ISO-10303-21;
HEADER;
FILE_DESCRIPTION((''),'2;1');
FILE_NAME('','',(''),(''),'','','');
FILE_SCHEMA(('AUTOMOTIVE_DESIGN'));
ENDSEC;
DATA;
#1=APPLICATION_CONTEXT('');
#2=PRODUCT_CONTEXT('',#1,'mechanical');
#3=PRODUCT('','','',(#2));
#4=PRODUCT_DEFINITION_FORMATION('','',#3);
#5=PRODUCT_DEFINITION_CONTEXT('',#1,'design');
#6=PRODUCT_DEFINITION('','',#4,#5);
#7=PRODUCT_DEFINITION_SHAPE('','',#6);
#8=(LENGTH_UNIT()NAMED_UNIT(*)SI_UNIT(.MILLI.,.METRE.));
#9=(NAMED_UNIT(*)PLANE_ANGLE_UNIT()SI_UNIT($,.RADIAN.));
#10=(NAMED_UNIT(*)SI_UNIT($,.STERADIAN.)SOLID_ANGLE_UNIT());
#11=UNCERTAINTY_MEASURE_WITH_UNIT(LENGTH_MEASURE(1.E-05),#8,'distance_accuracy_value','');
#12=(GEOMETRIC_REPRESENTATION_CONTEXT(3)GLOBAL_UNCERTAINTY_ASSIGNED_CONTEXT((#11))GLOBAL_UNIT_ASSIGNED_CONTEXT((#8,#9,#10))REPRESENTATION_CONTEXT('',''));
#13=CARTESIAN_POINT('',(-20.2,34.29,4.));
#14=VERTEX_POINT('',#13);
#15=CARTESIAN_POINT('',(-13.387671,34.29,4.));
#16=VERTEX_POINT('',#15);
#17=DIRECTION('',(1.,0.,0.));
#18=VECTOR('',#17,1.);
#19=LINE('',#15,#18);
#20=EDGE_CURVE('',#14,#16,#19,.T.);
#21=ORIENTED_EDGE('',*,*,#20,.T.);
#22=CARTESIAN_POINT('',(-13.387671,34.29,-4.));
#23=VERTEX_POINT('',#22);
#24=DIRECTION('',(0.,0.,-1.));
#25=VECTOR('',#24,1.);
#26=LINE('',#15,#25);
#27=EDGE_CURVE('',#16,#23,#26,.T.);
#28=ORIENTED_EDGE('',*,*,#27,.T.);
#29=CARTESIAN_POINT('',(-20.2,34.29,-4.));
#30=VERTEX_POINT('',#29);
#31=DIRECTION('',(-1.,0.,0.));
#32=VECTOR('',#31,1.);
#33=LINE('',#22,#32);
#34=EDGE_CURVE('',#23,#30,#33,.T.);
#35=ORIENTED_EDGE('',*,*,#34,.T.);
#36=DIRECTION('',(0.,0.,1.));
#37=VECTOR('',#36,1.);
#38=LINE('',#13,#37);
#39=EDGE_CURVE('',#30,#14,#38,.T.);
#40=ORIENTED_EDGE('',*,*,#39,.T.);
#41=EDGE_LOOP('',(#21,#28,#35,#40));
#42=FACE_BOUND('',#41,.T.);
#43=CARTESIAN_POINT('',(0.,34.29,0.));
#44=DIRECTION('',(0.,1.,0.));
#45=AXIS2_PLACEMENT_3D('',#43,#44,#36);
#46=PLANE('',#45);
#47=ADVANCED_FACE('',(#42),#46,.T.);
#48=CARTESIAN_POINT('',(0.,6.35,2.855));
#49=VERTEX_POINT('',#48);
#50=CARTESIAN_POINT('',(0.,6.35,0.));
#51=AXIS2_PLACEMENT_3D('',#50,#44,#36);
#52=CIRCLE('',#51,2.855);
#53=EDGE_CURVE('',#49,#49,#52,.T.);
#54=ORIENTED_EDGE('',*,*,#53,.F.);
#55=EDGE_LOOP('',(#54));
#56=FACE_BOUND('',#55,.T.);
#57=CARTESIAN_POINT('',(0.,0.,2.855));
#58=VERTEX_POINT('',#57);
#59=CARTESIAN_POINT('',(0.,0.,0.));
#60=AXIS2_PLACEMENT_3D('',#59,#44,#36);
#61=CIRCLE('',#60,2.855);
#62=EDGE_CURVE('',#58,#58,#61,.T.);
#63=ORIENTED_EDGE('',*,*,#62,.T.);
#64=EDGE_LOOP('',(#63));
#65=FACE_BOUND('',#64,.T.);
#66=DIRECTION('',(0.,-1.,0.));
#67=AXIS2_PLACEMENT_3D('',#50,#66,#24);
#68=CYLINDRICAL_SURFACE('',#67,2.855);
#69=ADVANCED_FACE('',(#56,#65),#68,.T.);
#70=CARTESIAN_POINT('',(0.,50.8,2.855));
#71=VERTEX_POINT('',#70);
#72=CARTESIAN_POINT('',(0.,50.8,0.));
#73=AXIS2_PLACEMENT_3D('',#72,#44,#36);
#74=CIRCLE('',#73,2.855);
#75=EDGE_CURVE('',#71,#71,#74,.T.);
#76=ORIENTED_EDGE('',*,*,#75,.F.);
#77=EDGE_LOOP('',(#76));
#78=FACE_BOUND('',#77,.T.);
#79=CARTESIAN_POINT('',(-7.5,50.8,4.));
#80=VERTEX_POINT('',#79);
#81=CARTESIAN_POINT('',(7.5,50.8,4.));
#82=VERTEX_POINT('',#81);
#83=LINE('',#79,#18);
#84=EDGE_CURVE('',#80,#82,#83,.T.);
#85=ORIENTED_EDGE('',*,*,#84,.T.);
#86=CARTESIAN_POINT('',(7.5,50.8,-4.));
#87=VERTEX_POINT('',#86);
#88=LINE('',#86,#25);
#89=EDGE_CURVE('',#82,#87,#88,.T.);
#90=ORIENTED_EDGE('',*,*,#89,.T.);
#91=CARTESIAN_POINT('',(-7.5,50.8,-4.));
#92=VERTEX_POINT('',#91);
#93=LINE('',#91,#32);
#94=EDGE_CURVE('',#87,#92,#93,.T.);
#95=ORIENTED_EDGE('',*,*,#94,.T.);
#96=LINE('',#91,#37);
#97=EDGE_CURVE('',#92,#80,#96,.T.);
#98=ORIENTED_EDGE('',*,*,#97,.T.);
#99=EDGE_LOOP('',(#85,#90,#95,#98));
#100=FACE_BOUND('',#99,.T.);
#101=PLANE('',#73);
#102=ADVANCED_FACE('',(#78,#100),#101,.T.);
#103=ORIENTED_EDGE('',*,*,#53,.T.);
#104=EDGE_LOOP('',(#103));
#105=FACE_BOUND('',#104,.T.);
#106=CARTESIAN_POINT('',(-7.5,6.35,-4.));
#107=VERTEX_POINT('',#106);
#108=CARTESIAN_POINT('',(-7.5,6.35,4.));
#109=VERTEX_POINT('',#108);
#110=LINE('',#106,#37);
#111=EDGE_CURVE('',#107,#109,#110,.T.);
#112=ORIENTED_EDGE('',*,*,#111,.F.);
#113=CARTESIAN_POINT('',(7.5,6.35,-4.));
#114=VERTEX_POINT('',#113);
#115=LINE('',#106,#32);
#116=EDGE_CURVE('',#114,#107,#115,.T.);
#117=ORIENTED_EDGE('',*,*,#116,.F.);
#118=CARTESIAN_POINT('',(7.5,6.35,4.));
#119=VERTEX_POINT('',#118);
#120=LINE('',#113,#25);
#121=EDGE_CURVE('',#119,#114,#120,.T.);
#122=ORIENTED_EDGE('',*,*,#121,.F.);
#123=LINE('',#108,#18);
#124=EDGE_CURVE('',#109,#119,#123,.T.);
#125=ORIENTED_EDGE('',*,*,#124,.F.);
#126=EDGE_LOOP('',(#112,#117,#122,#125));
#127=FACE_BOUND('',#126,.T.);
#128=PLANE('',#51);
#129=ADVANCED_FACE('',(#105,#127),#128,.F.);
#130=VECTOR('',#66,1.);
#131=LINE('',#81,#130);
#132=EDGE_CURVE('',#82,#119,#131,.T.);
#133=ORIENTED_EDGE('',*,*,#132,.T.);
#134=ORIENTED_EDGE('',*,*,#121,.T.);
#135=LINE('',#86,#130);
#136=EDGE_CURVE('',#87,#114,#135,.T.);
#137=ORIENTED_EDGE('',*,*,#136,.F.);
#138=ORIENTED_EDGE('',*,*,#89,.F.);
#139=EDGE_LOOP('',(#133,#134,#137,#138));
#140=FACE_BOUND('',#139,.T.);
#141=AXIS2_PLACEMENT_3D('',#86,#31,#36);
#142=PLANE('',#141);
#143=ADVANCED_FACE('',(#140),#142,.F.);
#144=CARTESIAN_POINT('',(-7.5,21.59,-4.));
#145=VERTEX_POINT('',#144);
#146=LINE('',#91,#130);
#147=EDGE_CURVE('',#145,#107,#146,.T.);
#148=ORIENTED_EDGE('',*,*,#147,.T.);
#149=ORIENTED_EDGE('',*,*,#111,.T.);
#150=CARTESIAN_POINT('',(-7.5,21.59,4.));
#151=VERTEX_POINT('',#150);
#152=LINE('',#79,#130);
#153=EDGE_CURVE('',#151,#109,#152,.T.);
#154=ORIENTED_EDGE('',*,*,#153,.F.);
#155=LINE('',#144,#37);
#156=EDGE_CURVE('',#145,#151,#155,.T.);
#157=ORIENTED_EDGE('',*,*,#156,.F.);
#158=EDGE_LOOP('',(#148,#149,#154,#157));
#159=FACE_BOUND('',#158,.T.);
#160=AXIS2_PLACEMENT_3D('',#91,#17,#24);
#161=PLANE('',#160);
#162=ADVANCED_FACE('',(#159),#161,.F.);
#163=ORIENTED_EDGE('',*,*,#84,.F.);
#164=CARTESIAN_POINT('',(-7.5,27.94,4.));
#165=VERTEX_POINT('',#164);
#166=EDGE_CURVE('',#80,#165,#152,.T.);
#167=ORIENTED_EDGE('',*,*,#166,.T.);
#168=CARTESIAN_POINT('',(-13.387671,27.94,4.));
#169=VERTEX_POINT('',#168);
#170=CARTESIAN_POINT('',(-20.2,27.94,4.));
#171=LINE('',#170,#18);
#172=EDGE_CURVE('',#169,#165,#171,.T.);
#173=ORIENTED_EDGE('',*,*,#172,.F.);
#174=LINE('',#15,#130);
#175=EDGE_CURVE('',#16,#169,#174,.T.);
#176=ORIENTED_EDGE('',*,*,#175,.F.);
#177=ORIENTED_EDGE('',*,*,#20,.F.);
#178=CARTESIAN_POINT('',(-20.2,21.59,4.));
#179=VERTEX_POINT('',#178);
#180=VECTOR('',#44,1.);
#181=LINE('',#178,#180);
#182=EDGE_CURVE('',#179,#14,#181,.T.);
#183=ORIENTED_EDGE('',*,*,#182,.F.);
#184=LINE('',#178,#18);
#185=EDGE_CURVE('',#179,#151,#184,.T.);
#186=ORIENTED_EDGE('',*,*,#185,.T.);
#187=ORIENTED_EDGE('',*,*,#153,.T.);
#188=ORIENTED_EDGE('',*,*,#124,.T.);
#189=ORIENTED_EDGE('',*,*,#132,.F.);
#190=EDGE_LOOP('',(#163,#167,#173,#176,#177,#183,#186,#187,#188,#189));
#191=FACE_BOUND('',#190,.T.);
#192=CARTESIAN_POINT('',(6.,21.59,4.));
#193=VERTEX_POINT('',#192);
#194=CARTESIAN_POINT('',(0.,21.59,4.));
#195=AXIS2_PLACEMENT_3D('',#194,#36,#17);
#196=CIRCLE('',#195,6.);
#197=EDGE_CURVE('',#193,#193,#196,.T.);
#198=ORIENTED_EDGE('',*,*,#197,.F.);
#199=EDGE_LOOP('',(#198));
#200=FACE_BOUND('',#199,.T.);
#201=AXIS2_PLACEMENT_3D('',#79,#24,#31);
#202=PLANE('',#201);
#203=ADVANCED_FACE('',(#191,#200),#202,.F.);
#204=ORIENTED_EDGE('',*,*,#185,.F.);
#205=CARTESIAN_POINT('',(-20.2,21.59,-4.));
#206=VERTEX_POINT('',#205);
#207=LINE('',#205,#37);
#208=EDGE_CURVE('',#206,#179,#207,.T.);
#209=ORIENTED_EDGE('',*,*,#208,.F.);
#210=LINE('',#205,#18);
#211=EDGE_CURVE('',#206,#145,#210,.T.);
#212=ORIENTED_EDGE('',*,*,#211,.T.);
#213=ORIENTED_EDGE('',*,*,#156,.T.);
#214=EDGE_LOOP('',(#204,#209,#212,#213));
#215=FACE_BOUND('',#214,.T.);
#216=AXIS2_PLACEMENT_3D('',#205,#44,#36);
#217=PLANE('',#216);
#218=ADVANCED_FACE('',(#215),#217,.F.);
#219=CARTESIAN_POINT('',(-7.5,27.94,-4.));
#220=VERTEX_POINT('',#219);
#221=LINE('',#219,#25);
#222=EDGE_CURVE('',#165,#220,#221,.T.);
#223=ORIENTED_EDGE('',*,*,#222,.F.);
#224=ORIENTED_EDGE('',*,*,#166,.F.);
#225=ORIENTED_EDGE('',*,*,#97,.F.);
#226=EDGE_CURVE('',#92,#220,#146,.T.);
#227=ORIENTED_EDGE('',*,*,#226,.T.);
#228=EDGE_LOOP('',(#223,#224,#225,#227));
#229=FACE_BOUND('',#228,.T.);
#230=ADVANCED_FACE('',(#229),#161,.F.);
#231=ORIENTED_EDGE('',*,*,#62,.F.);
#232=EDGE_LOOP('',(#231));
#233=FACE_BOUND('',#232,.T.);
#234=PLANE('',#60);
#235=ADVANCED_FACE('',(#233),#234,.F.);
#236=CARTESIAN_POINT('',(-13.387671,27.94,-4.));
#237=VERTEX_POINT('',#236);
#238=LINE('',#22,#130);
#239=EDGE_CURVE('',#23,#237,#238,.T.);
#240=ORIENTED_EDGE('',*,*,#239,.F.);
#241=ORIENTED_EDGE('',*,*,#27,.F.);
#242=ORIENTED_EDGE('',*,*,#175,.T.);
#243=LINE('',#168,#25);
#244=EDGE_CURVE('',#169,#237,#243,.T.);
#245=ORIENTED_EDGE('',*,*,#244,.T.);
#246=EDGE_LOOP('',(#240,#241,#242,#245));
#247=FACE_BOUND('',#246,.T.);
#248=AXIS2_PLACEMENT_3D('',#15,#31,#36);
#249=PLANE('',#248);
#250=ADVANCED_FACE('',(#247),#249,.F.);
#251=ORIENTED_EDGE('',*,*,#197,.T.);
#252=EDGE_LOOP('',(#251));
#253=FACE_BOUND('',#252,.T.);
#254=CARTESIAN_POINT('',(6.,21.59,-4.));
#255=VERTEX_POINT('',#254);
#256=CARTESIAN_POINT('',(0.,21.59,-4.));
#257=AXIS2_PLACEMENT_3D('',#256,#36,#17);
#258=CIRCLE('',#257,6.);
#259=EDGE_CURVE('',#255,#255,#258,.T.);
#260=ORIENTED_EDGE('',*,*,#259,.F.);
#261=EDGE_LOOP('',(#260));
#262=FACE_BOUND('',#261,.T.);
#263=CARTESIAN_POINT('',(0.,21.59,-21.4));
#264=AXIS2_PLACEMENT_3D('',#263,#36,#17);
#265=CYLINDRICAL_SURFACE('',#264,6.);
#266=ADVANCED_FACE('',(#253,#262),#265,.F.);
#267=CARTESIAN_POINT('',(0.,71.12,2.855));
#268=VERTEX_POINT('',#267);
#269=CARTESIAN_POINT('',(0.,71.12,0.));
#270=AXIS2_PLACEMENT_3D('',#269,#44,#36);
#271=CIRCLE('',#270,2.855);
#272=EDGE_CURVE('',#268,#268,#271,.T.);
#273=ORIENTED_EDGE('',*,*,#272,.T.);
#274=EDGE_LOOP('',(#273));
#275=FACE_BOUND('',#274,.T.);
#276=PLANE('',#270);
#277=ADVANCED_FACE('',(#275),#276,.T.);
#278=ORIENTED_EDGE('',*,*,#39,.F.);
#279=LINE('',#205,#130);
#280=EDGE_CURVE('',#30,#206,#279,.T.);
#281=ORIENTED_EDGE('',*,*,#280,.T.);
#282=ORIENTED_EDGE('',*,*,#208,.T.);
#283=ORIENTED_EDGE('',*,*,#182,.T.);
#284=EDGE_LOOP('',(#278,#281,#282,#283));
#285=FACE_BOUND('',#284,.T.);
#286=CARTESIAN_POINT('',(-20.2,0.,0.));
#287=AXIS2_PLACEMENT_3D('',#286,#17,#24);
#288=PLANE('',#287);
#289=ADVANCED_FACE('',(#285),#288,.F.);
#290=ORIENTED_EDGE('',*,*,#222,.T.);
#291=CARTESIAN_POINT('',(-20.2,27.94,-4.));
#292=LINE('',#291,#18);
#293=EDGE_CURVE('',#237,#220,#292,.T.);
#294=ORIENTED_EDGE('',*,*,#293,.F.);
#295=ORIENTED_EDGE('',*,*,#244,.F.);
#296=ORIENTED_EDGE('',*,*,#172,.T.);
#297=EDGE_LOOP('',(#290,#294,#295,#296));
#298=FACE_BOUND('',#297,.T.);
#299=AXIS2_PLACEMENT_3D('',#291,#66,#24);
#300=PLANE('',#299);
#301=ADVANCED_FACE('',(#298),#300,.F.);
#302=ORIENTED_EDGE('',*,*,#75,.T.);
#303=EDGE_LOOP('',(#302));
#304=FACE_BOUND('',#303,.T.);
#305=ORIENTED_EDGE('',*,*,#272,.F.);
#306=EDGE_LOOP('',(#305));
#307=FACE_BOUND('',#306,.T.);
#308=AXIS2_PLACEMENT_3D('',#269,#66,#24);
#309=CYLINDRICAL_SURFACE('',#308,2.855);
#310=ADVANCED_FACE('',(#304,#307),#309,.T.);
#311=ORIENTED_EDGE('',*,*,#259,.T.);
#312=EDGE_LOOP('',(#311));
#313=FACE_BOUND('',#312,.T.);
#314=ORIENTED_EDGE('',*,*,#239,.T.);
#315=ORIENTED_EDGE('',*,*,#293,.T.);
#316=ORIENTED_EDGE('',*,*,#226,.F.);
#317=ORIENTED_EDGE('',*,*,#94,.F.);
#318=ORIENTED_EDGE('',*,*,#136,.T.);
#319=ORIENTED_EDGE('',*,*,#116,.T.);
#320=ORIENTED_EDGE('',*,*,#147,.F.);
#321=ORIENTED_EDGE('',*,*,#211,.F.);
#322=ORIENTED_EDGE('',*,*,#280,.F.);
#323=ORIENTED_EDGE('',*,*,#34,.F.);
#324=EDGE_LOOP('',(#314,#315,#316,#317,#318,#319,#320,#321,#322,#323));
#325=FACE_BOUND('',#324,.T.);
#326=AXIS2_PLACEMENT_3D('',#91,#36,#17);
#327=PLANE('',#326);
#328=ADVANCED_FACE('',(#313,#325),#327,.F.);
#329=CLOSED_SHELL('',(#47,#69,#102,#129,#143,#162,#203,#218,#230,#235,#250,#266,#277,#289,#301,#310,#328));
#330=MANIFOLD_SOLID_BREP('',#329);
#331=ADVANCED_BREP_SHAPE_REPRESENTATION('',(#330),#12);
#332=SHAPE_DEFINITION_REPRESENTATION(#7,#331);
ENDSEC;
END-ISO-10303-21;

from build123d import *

# Parameters (mm, degrees)
SKETCH1_R           = 2.855
BOSS_EXTRUDE1_DEPTH = 6.35
SKETCH2_W           = 15
SKETCH2_H           = 8
BOSS_EXTRUDE2_DEPTH = 44.45
SKETCH3_R           = 6
CUT_EXTRUDE1_DEPTH  = 25.4
SKETCH4_R           = 2.855
BOSS_EXTRUDE3_DEPTH = 20.32
SKETCH5_W           = 8
SKETCH5_H           = 6.35
BOSS_EXTRUDE4_DEPTH = 12.7
SKETCH6_W           = 6.812329396
SKETCH6_H           = 8
BOSS_EXTRUDE5_DEPTH = 6.35


with BuildPart() as part:
    # Sketch1 → Boss-Extrude1 (new body)
    with BuildSketch(Plane(origin=(0, 0, 0), x_dir=(1, 0, 0), z_dir=(0, 1, 0))):
        with Locations(Location((0, 0, 0), (0, 0, 270))):
            Circle(SKETCH1_R)
    extrude(amount=BOSS_EXTRUDE1_DEPTH)

    # Sketch2 → Boss-Extrude2 (add)
    with BuildSketch(Plane(origin=(0, 6.35, 0), x_dir=(1, 0, 0), z_dir=(0, 1, 0))):
        Rectangle(SKETCH2_W, SKETCH2_H)
    extrude(amount=BOSS_EXTRUDE2_DEPTH)

    # Sketch3 → Cut-Extrude1 (cut)
    with BuildSketch(Plane.XY.offset(4)):
        with Locations((0, 21.59)):
            Circle(SKETCH3_R)
    extrude(amount=-CUT_EXTRUDE1_DEPTH, mode=Mode.SUBTRACT)

    # Sketch4 → Boss-Extrude3 (add)
    with BuildSketch(Plane(origin=(0, 50.8, 0), x_dir=(1, 0, 0), z_dir=(0, 1, 0))):
        with Locations(Location((0, 0, 0), (0, 0, 270))):
            Circle(SKETCH4_R)
    extrude(amount=BOSS_EXTRUDE3_DEPTH)

    # Sketch5 → Boss-Extrude4 (add)
    with BuildSketch(Plane.ZY.offset(7.5)):
        with Locations((0, 24.765)):
            Rectangle(SKETCH5_W, SKETCH5_H)
    extrude(amount=BOSS_EXTRUDE4_DEPTH)

    # Sketch6 → Boss-Extrude5 (add)
    with BuildSketch(Plane(origin=(0, 27.94, 0), x_dir=(1, 0, 0), z_dir=(0, 1, 0))):
        with Locations((-16.793835302, 0)):
            Rectangle(SKETCH6_W, SKETCH6_H)
    extrude(amount=BOSS_EXTRUDE5_DEPTH)


solid = part.part
